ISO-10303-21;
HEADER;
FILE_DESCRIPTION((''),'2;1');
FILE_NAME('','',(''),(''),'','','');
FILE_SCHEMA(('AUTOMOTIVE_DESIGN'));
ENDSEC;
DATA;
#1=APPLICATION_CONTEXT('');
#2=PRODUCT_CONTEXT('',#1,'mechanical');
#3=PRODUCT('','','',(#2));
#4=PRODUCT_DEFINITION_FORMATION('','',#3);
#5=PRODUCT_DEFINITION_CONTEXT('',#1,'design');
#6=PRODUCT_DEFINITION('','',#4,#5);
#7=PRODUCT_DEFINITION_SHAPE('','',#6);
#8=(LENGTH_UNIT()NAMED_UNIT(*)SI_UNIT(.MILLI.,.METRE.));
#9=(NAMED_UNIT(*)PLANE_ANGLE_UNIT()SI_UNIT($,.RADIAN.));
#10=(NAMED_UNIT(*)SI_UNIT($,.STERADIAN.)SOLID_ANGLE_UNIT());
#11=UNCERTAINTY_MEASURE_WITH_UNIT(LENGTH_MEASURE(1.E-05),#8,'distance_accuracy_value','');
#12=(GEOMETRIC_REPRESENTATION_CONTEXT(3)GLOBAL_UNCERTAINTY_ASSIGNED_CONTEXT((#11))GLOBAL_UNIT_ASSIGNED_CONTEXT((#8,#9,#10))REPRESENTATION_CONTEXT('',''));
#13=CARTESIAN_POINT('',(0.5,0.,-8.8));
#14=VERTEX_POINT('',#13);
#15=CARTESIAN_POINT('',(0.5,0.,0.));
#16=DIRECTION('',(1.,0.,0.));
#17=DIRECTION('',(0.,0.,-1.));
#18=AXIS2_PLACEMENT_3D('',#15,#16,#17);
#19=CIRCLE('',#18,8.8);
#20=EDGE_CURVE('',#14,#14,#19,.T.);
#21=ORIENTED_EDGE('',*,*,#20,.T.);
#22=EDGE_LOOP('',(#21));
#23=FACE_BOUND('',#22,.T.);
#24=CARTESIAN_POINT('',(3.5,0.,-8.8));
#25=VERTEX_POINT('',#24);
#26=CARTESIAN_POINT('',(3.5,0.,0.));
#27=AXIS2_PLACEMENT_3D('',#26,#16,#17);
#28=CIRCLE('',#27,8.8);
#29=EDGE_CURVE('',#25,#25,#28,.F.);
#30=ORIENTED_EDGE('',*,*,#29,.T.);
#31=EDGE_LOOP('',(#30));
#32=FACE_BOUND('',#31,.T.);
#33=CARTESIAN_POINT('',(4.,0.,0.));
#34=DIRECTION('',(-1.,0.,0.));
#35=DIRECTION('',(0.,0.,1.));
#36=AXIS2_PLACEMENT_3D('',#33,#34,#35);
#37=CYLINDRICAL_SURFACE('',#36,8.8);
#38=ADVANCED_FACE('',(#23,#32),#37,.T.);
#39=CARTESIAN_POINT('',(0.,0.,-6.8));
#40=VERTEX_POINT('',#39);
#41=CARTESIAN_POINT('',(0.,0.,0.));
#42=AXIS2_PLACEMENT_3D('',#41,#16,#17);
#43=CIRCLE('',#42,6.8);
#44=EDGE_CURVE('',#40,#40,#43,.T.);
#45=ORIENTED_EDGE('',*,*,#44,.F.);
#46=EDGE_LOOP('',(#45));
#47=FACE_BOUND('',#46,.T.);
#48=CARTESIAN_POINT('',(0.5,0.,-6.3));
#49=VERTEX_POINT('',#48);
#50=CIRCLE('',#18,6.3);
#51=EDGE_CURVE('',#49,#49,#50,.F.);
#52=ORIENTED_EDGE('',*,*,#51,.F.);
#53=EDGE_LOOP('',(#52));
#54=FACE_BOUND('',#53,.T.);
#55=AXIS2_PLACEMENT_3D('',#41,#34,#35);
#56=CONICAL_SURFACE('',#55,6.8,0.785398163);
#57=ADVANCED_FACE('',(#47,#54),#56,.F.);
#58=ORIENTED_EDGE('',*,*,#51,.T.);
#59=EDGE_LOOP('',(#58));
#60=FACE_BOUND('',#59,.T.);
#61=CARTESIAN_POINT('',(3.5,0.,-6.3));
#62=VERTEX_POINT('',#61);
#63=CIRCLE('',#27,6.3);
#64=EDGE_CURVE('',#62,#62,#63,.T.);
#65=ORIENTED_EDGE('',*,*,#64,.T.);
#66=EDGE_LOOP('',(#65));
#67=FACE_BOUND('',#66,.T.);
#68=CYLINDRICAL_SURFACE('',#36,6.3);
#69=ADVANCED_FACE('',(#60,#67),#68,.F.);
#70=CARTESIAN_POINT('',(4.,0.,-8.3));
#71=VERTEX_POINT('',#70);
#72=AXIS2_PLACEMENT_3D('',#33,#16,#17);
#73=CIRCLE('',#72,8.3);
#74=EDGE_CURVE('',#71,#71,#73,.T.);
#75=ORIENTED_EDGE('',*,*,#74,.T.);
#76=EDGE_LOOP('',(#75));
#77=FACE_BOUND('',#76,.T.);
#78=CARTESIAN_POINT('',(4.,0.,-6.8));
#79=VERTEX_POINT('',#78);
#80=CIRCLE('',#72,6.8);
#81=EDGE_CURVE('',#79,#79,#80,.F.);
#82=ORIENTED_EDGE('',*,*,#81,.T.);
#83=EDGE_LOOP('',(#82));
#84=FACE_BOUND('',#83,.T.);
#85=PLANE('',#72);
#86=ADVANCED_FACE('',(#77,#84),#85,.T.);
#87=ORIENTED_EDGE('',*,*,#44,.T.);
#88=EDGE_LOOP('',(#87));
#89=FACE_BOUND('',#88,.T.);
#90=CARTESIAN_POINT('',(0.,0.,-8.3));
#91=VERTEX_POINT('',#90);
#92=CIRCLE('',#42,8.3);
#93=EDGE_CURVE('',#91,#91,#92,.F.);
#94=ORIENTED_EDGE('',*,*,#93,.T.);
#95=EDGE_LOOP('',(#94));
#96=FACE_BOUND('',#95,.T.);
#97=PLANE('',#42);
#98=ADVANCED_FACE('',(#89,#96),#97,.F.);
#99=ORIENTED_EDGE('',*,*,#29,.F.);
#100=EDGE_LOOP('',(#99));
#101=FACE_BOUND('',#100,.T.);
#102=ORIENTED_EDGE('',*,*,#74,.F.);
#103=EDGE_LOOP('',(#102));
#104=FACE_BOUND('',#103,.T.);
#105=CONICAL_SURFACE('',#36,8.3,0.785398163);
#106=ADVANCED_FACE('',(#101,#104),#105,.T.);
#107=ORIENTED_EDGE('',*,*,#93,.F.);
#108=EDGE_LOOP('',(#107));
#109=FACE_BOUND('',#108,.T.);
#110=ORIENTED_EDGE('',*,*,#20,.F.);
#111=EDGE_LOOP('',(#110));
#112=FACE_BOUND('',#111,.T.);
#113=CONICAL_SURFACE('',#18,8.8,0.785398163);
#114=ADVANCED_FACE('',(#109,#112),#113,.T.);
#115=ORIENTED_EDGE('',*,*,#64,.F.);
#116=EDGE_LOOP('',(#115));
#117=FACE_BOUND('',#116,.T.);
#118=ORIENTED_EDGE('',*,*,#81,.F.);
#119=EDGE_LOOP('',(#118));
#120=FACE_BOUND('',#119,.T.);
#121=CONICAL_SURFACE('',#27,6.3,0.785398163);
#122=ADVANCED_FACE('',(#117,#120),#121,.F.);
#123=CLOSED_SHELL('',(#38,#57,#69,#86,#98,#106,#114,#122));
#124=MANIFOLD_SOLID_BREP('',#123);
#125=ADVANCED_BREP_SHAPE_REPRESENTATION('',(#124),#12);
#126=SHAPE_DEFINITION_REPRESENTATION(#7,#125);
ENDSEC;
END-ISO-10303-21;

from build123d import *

# Parameters (mm, degrees)
SKETCH1_R           = 8.8
SKETCH1_R_2         = 6.3
BOSS_EXTRUDE1_DEPTH = 4
CHAMFER1_SIZE       = 0.5
CHAMFER2_SIZE       = 0.5


with BuildPart() as part:
    # Sketch1 → Boss-Extrude1 (new body)
    with BuildSketch(Plane(origin=(0, 0, 0), x_dir=(0, 0, -1), z_dir=(1, 0, 0))):
        Circle(SKETCH1_R)
        Circle(SKETCH1_R_2, mode=Mode.SUBTRACT)
    extrude(amount=BOSS_EXTRUDE1_DEPTH)

    # Chamfer1
    chamfer1_edges = [part.edges().sort_by_distance(p)[0] for p in [
        (0, 0, 8.8),
        (4, 0, 8.8),
    ]]
    chamfer(chamfer1_edges, length=CHAMFER1_SIZE)

    # Chamfer2
    chamfer2_edges = [part.edges().sort_by_distance(p)[0] for p in [
        (0, 0, 6.3),
        (4, 0, 6.3),
    ]]
    chamfer(chamfer2_edges, length=CHAMFER2_SIZE)


solid = part.part
